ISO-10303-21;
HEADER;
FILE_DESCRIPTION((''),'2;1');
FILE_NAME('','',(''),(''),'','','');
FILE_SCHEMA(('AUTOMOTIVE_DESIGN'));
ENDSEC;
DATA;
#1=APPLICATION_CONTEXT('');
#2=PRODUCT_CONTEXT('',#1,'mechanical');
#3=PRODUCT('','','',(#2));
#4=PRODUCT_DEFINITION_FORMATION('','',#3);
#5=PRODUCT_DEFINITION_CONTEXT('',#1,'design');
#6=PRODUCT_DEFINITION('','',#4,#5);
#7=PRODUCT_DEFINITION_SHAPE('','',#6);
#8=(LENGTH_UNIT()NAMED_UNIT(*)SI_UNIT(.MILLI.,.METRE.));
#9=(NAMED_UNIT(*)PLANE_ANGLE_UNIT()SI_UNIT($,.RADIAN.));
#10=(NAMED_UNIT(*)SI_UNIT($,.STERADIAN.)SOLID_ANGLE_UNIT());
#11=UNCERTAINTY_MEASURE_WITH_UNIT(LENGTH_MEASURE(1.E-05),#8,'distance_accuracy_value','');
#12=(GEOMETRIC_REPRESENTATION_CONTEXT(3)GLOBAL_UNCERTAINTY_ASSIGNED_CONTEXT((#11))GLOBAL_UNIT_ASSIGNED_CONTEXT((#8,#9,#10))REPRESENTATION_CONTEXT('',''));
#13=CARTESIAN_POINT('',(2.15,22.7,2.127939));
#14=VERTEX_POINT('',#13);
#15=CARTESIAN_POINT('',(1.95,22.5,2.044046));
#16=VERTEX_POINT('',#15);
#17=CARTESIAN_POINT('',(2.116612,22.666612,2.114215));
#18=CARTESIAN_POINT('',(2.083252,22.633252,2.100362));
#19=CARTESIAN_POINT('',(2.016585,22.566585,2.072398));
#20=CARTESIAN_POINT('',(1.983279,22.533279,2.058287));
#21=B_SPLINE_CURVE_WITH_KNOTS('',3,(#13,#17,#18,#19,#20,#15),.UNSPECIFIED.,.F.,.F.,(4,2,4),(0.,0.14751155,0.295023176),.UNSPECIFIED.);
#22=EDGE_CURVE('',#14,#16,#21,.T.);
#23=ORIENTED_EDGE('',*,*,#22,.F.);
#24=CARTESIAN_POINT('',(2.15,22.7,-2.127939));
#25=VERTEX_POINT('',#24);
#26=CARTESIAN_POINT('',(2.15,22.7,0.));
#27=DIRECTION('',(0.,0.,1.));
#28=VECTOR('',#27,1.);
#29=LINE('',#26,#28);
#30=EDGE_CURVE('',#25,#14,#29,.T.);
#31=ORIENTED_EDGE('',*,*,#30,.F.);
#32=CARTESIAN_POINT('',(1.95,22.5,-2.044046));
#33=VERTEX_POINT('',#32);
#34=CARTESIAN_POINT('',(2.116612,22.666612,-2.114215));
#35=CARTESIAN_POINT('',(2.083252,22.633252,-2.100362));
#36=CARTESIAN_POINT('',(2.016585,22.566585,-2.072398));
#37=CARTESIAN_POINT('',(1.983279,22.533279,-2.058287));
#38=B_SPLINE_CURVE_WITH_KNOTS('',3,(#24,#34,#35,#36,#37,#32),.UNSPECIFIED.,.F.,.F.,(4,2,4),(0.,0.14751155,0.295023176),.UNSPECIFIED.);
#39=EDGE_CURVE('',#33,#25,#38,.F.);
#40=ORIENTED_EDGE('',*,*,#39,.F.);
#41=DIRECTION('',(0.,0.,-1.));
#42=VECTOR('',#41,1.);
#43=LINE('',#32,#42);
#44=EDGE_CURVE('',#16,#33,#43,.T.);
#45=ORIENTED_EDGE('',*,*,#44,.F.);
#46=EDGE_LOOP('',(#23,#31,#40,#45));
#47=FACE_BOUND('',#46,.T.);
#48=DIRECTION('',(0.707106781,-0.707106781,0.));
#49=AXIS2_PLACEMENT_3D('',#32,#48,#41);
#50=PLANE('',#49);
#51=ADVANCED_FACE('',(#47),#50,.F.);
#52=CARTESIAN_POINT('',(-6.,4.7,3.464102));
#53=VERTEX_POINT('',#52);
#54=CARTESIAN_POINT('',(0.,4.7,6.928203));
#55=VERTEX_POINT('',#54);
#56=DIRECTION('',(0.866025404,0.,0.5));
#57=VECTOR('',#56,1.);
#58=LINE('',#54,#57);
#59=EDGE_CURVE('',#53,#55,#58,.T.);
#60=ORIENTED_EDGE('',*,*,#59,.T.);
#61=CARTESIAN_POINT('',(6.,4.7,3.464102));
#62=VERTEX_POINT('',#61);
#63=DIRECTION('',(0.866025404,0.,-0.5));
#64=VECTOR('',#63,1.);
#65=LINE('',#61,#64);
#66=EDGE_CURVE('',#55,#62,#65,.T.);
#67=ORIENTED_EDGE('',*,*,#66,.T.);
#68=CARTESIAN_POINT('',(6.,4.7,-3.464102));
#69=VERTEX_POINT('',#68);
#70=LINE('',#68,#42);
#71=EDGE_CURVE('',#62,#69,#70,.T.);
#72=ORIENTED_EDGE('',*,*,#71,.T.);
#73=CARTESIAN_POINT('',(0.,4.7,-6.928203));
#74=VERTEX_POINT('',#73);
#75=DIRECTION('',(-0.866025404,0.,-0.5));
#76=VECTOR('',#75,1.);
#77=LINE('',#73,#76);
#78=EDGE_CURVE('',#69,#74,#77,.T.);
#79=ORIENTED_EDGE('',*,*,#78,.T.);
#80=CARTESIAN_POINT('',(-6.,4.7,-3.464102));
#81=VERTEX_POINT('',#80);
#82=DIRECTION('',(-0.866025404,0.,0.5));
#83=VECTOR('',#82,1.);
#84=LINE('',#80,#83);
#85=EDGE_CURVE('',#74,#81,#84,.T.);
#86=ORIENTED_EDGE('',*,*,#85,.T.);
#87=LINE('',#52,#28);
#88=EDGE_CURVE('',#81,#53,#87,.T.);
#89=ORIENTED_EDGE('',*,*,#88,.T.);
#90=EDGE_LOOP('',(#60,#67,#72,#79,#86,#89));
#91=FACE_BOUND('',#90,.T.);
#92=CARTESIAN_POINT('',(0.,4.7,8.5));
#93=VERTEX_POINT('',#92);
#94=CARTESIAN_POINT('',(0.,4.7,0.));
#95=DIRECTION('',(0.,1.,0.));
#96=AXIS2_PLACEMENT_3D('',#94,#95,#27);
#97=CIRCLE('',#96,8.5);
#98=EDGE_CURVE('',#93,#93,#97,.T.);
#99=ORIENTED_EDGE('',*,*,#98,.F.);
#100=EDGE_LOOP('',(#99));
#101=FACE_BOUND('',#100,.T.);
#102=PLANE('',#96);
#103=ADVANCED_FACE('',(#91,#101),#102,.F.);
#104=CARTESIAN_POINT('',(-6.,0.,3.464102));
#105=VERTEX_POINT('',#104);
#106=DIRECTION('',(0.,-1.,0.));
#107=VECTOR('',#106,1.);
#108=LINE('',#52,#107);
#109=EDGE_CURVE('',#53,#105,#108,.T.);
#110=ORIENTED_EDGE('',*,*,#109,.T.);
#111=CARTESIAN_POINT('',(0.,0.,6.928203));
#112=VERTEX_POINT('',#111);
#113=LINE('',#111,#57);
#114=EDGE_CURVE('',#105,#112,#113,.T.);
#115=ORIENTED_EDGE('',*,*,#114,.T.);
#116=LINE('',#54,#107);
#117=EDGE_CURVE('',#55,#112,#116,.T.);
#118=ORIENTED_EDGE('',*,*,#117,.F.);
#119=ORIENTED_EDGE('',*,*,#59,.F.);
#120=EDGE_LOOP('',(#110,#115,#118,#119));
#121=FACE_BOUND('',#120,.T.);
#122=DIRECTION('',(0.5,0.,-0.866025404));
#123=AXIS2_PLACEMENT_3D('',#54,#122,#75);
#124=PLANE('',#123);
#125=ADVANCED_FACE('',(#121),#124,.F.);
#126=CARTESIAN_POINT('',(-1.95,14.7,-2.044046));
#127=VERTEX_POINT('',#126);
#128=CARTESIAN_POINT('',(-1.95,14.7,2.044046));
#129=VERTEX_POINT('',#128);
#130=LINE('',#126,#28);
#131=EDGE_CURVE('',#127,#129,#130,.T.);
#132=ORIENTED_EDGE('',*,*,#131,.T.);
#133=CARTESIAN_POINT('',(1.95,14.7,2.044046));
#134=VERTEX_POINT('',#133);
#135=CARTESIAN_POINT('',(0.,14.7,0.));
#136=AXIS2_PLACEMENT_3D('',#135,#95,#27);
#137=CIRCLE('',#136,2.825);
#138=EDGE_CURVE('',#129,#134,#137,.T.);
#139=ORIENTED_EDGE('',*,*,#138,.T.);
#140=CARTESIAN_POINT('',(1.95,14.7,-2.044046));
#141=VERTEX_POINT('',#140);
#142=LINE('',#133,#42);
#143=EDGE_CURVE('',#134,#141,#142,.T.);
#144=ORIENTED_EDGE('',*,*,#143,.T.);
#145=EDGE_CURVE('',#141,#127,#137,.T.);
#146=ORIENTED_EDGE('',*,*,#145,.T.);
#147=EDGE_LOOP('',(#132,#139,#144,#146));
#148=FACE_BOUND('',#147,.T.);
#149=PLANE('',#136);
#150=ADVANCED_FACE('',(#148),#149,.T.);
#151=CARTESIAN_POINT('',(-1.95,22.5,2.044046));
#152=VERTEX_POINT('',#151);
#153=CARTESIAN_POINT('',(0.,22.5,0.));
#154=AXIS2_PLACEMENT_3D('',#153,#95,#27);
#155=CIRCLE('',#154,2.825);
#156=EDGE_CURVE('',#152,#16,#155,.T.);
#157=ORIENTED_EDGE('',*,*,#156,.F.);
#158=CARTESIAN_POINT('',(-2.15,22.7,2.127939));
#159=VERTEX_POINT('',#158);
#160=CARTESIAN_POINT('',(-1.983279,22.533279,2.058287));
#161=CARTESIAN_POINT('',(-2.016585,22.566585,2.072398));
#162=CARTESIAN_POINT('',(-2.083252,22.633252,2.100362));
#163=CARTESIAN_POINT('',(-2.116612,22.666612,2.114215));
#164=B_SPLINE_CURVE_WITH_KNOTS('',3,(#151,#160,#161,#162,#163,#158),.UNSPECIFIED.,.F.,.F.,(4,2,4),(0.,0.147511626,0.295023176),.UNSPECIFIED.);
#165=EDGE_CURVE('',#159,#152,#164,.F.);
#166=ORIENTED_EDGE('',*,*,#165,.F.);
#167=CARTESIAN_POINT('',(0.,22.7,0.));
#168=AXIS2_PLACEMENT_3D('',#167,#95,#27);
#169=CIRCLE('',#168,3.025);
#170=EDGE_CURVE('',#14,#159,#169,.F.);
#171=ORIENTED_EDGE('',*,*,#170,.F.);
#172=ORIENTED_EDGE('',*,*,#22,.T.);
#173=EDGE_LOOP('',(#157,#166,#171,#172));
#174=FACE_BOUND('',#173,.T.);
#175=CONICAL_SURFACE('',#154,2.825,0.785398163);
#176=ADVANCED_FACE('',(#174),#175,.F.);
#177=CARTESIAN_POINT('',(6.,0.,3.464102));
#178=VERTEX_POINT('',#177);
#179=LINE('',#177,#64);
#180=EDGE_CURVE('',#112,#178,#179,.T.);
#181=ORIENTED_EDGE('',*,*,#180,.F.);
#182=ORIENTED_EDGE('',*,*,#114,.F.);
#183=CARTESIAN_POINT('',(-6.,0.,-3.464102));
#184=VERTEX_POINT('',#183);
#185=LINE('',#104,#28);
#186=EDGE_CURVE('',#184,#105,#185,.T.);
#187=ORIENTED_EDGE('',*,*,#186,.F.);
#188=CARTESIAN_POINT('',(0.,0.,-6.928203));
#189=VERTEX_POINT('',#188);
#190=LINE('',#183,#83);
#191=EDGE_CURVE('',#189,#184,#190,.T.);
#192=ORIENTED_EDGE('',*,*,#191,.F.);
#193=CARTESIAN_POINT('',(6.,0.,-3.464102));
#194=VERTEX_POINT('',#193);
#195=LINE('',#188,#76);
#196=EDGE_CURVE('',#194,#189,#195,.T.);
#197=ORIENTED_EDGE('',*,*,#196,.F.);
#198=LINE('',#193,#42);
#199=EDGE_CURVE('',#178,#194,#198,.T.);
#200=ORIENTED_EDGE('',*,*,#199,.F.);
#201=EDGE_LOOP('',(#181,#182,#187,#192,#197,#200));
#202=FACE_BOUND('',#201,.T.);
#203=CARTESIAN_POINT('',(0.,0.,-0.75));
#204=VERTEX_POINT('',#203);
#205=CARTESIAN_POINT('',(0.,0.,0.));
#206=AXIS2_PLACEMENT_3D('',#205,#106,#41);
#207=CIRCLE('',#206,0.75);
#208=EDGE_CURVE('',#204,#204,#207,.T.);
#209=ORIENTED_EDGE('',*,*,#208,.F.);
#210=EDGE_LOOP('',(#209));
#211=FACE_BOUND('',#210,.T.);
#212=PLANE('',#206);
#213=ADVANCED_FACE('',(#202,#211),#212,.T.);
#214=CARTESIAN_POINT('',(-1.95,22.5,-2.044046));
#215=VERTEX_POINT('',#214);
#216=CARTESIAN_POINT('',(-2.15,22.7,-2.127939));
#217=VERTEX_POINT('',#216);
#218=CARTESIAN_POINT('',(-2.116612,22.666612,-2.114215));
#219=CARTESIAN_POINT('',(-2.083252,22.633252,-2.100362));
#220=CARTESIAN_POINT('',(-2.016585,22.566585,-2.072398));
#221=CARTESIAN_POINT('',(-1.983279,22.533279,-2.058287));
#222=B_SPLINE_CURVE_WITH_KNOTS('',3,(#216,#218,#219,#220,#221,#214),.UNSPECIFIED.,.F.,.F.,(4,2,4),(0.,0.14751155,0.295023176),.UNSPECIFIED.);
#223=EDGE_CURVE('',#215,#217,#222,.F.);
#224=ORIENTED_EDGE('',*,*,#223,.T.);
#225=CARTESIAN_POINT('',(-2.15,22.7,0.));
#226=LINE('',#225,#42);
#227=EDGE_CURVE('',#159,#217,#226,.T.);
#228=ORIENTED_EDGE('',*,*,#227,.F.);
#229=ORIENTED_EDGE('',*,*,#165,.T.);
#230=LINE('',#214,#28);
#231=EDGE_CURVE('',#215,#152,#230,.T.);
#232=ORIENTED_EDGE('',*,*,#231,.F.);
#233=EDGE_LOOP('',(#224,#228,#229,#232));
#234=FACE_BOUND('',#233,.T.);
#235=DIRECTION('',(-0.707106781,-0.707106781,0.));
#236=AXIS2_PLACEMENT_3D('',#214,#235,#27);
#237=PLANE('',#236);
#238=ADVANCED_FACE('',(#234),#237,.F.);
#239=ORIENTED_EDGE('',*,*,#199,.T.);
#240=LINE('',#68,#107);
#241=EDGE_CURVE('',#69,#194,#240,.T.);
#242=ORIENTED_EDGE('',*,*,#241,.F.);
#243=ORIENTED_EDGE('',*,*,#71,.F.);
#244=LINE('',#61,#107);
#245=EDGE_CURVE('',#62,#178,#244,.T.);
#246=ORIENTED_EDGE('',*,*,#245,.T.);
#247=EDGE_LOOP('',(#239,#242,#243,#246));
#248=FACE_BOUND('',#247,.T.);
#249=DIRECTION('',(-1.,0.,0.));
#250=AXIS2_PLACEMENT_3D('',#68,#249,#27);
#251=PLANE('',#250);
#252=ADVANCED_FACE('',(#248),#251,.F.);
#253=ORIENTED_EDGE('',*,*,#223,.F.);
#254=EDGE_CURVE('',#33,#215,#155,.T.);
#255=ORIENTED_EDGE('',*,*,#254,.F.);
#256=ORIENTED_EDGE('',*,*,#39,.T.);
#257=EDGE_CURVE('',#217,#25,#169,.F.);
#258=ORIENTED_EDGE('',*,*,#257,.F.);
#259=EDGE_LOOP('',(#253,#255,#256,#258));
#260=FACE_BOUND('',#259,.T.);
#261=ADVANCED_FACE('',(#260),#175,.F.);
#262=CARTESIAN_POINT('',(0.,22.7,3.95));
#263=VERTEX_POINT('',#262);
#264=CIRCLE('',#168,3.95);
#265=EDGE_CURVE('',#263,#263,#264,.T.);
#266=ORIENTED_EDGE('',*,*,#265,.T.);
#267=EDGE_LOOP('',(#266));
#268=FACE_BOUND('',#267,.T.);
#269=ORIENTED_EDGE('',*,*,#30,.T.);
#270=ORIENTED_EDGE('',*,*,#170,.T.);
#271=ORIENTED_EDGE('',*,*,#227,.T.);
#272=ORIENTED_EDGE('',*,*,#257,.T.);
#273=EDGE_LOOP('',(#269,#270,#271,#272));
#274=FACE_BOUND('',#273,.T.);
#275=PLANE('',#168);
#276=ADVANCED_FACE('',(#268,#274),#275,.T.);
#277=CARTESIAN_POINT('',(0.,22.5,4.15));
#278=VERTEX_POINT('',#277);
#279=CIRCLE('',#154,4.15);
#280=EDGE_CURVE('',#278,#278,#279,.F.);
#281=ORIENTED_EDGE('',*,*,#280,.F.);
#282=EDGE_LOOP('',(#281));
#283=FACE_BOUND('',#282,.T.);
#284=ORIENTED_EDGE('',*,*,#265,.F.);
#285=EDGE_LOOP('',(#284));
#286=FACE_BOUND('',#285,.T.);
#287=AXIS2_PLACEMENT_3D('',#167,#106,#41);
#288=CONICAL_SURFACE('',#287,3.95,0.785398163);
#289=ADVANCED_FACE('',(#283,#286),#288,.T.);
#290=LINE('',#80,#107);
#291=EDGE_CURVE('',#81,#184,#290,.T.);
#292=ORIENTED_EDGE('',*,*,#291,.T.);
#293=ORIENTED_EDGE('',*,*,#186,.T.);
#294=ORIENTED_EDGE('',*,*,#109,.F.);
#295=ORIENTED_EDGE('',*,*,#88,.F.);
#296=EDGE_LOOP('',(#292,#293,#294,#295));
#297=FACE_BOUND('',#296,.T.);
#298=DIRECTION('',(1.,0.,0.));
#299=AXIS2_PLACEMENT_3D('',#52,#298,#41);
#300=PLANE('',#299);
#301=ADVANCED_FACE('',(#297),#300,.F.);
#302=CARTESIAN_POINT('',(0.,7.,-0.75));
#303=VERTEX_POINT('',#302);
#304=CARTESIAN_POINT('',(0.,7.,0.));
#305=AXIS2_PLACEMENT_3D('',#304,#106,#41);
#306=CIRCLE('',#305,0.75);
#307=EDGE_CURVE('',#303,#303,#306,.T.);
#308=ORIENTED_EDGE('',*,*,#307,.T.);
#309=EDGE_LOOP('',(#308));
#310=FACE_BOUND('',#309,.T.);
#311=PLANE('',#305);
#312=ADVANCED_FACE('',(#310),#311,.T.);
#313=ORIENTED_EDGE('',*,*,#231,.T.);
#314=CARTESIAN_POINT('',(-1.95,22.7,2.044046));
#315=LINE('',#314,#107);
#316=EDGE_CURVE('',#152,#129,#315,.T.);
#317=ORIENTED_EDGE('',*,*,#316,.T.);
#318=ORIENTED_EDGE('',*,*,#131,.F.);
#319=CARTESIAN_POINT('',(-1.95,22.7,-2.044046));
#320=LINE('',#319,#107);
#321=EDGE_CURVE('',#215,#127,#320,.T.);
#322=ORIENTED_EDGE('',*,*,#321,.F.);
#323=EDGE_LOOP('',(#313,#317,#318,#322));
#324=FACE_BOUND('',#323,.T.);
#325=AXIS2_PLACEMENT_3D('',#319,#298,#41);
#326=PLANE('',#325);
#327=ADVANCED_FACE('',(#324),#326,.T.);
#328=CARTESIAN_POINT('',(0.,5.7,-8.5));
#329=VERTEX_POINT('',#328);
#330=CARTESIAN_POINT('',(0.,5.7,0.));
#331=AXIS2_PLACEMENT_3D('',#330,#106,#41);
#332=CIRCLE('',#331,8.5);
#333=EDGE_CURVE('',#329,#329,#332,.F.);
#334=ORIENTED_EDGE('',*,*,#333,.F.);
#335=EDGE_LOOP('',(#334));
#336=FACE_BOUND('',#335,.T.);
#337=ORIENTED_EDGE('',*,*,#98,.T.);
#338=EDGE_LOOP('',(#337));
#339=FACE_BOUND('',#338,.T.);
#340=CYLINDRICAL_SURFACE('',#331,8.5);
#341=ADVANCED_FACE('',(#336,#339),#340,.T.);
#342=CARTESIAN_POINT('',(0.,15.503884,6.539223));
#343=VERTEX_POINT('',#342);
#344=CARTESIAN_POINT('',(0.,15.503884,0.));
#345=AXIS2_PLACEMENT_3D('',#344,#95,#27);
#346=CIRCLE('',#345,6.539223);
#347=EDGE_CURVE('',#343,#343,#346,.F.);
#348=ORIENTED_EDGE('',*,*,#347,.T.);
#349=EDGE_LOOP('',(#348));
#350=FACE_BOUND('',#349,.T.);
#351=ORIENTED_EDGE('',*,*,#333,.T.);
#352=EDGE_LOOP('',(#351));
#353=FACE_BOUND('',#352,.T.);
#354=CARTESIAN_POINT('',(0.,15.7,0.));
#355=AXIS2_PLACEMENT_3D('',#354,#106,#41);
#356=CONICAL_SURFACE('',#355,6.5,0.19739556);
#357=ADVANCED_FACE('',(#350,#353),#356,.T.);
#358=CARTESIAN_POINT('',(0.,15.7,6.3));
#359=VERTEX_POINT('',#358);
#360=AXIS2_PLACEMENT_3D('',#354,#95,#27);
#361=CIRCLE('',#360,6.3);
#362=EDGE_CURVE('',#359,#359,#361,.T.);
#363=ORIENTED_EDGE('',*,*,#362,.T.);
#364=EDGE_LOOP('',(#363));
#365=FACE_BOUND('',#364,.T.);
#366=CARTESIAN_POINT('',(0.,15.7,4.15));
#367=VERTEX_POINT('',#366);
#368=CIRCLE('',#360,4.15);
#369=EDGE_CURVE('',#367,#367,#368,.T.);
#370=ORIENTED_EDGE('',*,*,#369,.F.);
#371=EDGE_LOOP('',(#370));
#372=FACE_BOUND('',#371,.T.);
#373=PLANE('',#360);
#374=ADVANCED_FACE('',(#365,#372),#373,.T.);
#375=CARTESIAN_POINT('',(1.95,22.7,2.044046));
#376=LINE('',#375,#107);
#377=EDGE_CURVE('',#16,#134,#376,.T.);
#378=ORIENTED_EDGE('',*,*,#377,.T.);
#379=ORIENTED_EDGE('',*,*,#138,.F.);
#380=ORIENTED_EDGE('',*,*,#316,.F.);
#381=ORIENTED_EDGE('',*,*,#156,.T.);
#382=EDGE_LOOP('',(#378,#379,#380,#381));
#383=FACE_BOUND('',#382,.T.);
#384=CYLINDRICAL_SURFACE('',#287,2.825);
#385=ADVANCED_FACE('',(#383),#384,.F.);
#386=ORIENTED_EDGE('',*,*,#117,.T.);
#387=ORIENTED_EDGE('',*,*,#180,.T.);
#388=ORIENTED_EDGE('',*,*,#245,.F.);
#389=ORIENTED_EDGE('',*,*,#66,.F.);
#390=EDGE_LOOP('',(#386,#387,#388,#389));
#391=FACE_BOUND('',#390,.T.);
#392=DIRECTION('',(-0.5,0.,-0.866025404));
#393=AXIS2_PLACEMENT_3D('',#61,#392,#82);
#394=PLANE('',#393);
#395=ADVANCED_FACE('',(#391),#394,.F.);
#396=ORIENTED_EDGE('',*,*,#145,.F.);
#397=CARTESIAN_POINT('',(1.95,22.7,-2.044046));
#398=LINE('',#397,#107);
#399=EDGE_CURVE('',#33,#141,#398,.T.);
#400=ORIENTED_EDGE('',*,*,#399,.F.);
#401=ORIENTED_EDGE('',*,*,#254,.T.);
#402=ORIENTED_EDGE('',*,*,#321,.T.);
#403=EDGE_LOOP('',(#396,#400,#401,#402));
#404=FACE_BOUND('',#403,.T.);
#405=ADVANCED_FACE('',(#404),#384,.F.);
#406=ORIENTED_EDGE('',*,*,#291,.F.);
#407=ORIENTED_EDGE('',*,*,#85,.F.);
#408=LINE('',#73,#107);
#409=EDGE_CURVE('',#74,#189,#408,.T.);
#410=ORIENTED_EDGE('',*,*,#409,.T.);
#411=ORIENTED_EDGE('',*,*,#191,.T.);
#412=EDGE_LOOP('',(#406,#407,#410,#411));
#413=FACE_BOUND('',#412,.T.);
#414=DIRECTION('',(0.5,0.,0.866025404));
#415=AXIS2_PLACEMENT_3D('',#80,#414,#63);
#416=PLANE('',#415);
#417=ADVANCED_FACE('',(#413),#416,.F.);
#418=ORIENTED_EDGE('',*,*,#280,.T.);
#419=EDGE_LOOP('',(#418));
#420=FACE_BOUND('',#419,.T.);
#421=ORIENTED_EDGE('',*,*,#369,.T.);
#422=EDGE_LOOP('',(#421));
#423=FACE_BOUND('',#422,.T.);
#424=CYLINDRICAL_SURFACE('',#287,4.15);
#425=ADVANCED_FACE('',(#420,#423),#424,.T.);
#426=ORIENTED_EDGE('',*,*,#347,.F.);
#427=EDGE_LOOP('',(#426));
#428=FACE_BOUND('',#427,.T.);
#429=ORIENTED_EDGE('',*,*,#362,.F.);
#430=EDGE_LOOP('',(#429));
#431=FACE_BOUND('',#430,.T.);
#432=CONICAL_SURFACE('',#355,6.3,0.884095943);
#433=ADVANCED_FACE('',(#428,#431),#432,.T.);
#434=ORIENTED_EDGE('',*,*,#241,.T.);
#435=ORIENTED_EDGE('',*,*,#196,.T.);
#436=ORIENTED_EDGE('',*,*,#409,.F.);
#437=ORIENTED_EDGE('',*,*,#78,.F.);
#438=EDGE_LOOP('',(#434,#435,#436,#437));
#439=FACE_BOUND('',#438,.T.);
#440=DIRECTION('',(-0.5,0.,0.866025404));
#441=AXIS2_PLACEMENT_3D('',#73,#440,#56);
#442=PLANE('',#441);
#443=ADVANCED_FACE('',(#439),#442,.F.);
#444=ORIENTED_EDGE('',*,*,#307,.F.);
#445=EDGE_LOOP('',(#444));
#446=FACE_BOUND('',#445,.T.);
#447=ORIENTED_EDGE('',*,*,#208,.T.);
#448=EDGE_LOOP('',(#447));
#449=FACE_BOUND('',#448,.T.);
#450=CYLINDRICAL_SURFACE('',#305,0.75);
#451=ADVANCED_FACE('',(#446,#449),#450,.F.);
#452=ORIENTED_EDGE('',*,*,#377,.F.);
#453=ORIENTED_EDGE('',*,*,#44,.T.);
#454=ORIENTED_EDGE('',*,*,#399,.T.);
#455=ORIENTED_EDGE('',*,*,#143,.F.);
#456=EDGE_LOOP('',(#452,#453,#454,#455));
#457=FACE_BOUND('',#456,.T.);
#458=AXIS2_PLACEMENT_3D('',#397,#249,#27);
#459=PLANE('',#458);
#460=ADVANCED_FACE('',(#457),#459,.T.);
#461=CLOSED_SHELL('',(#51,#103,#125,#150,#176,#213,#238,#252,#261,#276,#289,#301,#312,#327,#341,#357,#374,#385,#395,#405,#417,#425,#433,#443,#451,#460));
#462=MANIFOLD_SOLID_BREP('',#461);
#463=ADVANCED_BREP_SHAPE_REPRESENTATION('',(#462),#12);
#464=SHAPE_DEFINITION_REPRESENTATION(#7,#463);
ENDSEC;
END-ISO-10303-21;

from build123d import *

# Parameters (mm, degrees)
BOSS_EXTRUDE1_DEPTH = 4.7
SKETCH2_R           = 8.5
BOSS_EXTRUDE2_DEPTH = 1
SKETCH4_R           = 6.5
SKETCH3_R           = 8.5
SKETCH5_R           = 4.15
BOSS_EXTRUDE3_DEPTH = 7
CHAMFER1_SIZE       = 0.2
SKETCH6_R           = 0.75
CUT_EXTRUDE1_DEPTH  = 7
CUT_EXTRUDE2_START  = -1
CUT_EXTRUDE2_DEPTH  = 1


with BuildPart() as part:
    # Sketch1 → Boss-Extrude1 (new body)
    with BuildSketch(Plane(origin=(0, 0, 0), x_dir=(1, 0, 0), z_dir=(0, 1, 0))):
        Polygon((0, 6.92820323), (6, 3.464101615), (6, -3.464101615), (0, -6.92820323), (-6, -3.464101615), (-6, 3.464101615), align=None)
    extrude(amount=BOSS_EXTRUDE1_DEPTH)

    # Sketch2 → Boss-Extrude2 (add)
    with BuildSketch(Plane(origin=(0, 4.7, 0), x_dir=(1, 0, 0), z_dir=(0, 1, 0))):
        with Locations(Location((0, 0, 0), (0, 0, 270))):
            Circle(SKETCH2_R)
    extrude(amount=BOSS_EXTRUDE2_DEPTH)

    # Sketch4 → Loft1 section 0
    with BuildSketch(Plane(origin=(0, 15.7, 0), x_dir=(1, 0, 0), z_dir=(0, 1, 0))):
        Circle(SKETCH4_R)
    # Sketch3 → Loft1 section 1
    with BuildSketch(Plane(origin=(0, 5.7, 0), x_dir=(1, 0, 0), z_dir=(0, 1, 0))):
        Circle(SKETCH3_R)
    loft()

    # Sketch5 → Boss-Extrude3 (add)
    with BuildSketch(Plane(origin=(0, 15.7, 0), x_dir=(1, 0, 0), z_dir=(0, 1, 0))):
        with Locations(Location((0, 0, 0), (0, 0, 270))):
            Circle(SKETCH5_R)
        with BuildLine():
            Line((-1.95, 2.044046232), (-1.95, -2.044046232))
            ThreePointArc((-1.95, -2.044046232), (0, -2.825), (1.95, -2.044046232))
            Line((1.95, -2.044046232), (1.95, 2.044046232))
            ThreePointArc((1.95, 2.044046232), (0, 2.825), (-1.95, 2.044046232))
        make_face(mode=Mode.SUBTRACT)
    extrude(amount=BOSS_EXTRUDE3_DEPTH)

    # Chamfer1
    chamfer1_edges = [part.edges().sort_by_distance(p)[0] for p in [
        (-6.5, 15.7, 0),
        (0, 22.7, -4.15),
        (0, 22.7, -2.825),
        (-1.95, 22.7, 0),
        (0, 22.7, 2.825),
        (1.95, 22.7, 0),
    ]]
    chamfer(chamfer1_edges, length=CHAMFER1_SIZE)

    # Sketch6 → Cut-Extrude1 (cut)
    with BuildSketch(Plane.XZ):
        with Locations(Location((0, 0, 0), (0, 0, 270))):
            Circle(SKETCH6_R)
    extrude(amount=-CUT_EXTRUDE1_DEPTH, mode=Mode.SUBTRACT)

    # Sketch7 → Cut-Extrude2 (cut)
    with BuildSketch(Plane(origin=(0, 15.7, 0), x_dir=(1, 0, 0), z_dir=(0, 1, 0)).offset(CUT_EXTRUDE2_START)):
        with BuildLine():
            Line((1.95, -2.044046232), (1.95, 2.044046232))
            ThreePointArc((1.95, 2.044046232), (0, 2.825), (-1.95, 2.044046232))
            Line((-1.95, 2.044046232), (-1.95, -2.044046232))
            ThreePointArc((-1.95, -2.044046232), (0, -2.825), (1.95, -2.044046232))
        make_face()
    extrude(amount=CUT_EXTRUDE2_DEPTH, mode=Mode.SUBTRACT)


solid = part.part
